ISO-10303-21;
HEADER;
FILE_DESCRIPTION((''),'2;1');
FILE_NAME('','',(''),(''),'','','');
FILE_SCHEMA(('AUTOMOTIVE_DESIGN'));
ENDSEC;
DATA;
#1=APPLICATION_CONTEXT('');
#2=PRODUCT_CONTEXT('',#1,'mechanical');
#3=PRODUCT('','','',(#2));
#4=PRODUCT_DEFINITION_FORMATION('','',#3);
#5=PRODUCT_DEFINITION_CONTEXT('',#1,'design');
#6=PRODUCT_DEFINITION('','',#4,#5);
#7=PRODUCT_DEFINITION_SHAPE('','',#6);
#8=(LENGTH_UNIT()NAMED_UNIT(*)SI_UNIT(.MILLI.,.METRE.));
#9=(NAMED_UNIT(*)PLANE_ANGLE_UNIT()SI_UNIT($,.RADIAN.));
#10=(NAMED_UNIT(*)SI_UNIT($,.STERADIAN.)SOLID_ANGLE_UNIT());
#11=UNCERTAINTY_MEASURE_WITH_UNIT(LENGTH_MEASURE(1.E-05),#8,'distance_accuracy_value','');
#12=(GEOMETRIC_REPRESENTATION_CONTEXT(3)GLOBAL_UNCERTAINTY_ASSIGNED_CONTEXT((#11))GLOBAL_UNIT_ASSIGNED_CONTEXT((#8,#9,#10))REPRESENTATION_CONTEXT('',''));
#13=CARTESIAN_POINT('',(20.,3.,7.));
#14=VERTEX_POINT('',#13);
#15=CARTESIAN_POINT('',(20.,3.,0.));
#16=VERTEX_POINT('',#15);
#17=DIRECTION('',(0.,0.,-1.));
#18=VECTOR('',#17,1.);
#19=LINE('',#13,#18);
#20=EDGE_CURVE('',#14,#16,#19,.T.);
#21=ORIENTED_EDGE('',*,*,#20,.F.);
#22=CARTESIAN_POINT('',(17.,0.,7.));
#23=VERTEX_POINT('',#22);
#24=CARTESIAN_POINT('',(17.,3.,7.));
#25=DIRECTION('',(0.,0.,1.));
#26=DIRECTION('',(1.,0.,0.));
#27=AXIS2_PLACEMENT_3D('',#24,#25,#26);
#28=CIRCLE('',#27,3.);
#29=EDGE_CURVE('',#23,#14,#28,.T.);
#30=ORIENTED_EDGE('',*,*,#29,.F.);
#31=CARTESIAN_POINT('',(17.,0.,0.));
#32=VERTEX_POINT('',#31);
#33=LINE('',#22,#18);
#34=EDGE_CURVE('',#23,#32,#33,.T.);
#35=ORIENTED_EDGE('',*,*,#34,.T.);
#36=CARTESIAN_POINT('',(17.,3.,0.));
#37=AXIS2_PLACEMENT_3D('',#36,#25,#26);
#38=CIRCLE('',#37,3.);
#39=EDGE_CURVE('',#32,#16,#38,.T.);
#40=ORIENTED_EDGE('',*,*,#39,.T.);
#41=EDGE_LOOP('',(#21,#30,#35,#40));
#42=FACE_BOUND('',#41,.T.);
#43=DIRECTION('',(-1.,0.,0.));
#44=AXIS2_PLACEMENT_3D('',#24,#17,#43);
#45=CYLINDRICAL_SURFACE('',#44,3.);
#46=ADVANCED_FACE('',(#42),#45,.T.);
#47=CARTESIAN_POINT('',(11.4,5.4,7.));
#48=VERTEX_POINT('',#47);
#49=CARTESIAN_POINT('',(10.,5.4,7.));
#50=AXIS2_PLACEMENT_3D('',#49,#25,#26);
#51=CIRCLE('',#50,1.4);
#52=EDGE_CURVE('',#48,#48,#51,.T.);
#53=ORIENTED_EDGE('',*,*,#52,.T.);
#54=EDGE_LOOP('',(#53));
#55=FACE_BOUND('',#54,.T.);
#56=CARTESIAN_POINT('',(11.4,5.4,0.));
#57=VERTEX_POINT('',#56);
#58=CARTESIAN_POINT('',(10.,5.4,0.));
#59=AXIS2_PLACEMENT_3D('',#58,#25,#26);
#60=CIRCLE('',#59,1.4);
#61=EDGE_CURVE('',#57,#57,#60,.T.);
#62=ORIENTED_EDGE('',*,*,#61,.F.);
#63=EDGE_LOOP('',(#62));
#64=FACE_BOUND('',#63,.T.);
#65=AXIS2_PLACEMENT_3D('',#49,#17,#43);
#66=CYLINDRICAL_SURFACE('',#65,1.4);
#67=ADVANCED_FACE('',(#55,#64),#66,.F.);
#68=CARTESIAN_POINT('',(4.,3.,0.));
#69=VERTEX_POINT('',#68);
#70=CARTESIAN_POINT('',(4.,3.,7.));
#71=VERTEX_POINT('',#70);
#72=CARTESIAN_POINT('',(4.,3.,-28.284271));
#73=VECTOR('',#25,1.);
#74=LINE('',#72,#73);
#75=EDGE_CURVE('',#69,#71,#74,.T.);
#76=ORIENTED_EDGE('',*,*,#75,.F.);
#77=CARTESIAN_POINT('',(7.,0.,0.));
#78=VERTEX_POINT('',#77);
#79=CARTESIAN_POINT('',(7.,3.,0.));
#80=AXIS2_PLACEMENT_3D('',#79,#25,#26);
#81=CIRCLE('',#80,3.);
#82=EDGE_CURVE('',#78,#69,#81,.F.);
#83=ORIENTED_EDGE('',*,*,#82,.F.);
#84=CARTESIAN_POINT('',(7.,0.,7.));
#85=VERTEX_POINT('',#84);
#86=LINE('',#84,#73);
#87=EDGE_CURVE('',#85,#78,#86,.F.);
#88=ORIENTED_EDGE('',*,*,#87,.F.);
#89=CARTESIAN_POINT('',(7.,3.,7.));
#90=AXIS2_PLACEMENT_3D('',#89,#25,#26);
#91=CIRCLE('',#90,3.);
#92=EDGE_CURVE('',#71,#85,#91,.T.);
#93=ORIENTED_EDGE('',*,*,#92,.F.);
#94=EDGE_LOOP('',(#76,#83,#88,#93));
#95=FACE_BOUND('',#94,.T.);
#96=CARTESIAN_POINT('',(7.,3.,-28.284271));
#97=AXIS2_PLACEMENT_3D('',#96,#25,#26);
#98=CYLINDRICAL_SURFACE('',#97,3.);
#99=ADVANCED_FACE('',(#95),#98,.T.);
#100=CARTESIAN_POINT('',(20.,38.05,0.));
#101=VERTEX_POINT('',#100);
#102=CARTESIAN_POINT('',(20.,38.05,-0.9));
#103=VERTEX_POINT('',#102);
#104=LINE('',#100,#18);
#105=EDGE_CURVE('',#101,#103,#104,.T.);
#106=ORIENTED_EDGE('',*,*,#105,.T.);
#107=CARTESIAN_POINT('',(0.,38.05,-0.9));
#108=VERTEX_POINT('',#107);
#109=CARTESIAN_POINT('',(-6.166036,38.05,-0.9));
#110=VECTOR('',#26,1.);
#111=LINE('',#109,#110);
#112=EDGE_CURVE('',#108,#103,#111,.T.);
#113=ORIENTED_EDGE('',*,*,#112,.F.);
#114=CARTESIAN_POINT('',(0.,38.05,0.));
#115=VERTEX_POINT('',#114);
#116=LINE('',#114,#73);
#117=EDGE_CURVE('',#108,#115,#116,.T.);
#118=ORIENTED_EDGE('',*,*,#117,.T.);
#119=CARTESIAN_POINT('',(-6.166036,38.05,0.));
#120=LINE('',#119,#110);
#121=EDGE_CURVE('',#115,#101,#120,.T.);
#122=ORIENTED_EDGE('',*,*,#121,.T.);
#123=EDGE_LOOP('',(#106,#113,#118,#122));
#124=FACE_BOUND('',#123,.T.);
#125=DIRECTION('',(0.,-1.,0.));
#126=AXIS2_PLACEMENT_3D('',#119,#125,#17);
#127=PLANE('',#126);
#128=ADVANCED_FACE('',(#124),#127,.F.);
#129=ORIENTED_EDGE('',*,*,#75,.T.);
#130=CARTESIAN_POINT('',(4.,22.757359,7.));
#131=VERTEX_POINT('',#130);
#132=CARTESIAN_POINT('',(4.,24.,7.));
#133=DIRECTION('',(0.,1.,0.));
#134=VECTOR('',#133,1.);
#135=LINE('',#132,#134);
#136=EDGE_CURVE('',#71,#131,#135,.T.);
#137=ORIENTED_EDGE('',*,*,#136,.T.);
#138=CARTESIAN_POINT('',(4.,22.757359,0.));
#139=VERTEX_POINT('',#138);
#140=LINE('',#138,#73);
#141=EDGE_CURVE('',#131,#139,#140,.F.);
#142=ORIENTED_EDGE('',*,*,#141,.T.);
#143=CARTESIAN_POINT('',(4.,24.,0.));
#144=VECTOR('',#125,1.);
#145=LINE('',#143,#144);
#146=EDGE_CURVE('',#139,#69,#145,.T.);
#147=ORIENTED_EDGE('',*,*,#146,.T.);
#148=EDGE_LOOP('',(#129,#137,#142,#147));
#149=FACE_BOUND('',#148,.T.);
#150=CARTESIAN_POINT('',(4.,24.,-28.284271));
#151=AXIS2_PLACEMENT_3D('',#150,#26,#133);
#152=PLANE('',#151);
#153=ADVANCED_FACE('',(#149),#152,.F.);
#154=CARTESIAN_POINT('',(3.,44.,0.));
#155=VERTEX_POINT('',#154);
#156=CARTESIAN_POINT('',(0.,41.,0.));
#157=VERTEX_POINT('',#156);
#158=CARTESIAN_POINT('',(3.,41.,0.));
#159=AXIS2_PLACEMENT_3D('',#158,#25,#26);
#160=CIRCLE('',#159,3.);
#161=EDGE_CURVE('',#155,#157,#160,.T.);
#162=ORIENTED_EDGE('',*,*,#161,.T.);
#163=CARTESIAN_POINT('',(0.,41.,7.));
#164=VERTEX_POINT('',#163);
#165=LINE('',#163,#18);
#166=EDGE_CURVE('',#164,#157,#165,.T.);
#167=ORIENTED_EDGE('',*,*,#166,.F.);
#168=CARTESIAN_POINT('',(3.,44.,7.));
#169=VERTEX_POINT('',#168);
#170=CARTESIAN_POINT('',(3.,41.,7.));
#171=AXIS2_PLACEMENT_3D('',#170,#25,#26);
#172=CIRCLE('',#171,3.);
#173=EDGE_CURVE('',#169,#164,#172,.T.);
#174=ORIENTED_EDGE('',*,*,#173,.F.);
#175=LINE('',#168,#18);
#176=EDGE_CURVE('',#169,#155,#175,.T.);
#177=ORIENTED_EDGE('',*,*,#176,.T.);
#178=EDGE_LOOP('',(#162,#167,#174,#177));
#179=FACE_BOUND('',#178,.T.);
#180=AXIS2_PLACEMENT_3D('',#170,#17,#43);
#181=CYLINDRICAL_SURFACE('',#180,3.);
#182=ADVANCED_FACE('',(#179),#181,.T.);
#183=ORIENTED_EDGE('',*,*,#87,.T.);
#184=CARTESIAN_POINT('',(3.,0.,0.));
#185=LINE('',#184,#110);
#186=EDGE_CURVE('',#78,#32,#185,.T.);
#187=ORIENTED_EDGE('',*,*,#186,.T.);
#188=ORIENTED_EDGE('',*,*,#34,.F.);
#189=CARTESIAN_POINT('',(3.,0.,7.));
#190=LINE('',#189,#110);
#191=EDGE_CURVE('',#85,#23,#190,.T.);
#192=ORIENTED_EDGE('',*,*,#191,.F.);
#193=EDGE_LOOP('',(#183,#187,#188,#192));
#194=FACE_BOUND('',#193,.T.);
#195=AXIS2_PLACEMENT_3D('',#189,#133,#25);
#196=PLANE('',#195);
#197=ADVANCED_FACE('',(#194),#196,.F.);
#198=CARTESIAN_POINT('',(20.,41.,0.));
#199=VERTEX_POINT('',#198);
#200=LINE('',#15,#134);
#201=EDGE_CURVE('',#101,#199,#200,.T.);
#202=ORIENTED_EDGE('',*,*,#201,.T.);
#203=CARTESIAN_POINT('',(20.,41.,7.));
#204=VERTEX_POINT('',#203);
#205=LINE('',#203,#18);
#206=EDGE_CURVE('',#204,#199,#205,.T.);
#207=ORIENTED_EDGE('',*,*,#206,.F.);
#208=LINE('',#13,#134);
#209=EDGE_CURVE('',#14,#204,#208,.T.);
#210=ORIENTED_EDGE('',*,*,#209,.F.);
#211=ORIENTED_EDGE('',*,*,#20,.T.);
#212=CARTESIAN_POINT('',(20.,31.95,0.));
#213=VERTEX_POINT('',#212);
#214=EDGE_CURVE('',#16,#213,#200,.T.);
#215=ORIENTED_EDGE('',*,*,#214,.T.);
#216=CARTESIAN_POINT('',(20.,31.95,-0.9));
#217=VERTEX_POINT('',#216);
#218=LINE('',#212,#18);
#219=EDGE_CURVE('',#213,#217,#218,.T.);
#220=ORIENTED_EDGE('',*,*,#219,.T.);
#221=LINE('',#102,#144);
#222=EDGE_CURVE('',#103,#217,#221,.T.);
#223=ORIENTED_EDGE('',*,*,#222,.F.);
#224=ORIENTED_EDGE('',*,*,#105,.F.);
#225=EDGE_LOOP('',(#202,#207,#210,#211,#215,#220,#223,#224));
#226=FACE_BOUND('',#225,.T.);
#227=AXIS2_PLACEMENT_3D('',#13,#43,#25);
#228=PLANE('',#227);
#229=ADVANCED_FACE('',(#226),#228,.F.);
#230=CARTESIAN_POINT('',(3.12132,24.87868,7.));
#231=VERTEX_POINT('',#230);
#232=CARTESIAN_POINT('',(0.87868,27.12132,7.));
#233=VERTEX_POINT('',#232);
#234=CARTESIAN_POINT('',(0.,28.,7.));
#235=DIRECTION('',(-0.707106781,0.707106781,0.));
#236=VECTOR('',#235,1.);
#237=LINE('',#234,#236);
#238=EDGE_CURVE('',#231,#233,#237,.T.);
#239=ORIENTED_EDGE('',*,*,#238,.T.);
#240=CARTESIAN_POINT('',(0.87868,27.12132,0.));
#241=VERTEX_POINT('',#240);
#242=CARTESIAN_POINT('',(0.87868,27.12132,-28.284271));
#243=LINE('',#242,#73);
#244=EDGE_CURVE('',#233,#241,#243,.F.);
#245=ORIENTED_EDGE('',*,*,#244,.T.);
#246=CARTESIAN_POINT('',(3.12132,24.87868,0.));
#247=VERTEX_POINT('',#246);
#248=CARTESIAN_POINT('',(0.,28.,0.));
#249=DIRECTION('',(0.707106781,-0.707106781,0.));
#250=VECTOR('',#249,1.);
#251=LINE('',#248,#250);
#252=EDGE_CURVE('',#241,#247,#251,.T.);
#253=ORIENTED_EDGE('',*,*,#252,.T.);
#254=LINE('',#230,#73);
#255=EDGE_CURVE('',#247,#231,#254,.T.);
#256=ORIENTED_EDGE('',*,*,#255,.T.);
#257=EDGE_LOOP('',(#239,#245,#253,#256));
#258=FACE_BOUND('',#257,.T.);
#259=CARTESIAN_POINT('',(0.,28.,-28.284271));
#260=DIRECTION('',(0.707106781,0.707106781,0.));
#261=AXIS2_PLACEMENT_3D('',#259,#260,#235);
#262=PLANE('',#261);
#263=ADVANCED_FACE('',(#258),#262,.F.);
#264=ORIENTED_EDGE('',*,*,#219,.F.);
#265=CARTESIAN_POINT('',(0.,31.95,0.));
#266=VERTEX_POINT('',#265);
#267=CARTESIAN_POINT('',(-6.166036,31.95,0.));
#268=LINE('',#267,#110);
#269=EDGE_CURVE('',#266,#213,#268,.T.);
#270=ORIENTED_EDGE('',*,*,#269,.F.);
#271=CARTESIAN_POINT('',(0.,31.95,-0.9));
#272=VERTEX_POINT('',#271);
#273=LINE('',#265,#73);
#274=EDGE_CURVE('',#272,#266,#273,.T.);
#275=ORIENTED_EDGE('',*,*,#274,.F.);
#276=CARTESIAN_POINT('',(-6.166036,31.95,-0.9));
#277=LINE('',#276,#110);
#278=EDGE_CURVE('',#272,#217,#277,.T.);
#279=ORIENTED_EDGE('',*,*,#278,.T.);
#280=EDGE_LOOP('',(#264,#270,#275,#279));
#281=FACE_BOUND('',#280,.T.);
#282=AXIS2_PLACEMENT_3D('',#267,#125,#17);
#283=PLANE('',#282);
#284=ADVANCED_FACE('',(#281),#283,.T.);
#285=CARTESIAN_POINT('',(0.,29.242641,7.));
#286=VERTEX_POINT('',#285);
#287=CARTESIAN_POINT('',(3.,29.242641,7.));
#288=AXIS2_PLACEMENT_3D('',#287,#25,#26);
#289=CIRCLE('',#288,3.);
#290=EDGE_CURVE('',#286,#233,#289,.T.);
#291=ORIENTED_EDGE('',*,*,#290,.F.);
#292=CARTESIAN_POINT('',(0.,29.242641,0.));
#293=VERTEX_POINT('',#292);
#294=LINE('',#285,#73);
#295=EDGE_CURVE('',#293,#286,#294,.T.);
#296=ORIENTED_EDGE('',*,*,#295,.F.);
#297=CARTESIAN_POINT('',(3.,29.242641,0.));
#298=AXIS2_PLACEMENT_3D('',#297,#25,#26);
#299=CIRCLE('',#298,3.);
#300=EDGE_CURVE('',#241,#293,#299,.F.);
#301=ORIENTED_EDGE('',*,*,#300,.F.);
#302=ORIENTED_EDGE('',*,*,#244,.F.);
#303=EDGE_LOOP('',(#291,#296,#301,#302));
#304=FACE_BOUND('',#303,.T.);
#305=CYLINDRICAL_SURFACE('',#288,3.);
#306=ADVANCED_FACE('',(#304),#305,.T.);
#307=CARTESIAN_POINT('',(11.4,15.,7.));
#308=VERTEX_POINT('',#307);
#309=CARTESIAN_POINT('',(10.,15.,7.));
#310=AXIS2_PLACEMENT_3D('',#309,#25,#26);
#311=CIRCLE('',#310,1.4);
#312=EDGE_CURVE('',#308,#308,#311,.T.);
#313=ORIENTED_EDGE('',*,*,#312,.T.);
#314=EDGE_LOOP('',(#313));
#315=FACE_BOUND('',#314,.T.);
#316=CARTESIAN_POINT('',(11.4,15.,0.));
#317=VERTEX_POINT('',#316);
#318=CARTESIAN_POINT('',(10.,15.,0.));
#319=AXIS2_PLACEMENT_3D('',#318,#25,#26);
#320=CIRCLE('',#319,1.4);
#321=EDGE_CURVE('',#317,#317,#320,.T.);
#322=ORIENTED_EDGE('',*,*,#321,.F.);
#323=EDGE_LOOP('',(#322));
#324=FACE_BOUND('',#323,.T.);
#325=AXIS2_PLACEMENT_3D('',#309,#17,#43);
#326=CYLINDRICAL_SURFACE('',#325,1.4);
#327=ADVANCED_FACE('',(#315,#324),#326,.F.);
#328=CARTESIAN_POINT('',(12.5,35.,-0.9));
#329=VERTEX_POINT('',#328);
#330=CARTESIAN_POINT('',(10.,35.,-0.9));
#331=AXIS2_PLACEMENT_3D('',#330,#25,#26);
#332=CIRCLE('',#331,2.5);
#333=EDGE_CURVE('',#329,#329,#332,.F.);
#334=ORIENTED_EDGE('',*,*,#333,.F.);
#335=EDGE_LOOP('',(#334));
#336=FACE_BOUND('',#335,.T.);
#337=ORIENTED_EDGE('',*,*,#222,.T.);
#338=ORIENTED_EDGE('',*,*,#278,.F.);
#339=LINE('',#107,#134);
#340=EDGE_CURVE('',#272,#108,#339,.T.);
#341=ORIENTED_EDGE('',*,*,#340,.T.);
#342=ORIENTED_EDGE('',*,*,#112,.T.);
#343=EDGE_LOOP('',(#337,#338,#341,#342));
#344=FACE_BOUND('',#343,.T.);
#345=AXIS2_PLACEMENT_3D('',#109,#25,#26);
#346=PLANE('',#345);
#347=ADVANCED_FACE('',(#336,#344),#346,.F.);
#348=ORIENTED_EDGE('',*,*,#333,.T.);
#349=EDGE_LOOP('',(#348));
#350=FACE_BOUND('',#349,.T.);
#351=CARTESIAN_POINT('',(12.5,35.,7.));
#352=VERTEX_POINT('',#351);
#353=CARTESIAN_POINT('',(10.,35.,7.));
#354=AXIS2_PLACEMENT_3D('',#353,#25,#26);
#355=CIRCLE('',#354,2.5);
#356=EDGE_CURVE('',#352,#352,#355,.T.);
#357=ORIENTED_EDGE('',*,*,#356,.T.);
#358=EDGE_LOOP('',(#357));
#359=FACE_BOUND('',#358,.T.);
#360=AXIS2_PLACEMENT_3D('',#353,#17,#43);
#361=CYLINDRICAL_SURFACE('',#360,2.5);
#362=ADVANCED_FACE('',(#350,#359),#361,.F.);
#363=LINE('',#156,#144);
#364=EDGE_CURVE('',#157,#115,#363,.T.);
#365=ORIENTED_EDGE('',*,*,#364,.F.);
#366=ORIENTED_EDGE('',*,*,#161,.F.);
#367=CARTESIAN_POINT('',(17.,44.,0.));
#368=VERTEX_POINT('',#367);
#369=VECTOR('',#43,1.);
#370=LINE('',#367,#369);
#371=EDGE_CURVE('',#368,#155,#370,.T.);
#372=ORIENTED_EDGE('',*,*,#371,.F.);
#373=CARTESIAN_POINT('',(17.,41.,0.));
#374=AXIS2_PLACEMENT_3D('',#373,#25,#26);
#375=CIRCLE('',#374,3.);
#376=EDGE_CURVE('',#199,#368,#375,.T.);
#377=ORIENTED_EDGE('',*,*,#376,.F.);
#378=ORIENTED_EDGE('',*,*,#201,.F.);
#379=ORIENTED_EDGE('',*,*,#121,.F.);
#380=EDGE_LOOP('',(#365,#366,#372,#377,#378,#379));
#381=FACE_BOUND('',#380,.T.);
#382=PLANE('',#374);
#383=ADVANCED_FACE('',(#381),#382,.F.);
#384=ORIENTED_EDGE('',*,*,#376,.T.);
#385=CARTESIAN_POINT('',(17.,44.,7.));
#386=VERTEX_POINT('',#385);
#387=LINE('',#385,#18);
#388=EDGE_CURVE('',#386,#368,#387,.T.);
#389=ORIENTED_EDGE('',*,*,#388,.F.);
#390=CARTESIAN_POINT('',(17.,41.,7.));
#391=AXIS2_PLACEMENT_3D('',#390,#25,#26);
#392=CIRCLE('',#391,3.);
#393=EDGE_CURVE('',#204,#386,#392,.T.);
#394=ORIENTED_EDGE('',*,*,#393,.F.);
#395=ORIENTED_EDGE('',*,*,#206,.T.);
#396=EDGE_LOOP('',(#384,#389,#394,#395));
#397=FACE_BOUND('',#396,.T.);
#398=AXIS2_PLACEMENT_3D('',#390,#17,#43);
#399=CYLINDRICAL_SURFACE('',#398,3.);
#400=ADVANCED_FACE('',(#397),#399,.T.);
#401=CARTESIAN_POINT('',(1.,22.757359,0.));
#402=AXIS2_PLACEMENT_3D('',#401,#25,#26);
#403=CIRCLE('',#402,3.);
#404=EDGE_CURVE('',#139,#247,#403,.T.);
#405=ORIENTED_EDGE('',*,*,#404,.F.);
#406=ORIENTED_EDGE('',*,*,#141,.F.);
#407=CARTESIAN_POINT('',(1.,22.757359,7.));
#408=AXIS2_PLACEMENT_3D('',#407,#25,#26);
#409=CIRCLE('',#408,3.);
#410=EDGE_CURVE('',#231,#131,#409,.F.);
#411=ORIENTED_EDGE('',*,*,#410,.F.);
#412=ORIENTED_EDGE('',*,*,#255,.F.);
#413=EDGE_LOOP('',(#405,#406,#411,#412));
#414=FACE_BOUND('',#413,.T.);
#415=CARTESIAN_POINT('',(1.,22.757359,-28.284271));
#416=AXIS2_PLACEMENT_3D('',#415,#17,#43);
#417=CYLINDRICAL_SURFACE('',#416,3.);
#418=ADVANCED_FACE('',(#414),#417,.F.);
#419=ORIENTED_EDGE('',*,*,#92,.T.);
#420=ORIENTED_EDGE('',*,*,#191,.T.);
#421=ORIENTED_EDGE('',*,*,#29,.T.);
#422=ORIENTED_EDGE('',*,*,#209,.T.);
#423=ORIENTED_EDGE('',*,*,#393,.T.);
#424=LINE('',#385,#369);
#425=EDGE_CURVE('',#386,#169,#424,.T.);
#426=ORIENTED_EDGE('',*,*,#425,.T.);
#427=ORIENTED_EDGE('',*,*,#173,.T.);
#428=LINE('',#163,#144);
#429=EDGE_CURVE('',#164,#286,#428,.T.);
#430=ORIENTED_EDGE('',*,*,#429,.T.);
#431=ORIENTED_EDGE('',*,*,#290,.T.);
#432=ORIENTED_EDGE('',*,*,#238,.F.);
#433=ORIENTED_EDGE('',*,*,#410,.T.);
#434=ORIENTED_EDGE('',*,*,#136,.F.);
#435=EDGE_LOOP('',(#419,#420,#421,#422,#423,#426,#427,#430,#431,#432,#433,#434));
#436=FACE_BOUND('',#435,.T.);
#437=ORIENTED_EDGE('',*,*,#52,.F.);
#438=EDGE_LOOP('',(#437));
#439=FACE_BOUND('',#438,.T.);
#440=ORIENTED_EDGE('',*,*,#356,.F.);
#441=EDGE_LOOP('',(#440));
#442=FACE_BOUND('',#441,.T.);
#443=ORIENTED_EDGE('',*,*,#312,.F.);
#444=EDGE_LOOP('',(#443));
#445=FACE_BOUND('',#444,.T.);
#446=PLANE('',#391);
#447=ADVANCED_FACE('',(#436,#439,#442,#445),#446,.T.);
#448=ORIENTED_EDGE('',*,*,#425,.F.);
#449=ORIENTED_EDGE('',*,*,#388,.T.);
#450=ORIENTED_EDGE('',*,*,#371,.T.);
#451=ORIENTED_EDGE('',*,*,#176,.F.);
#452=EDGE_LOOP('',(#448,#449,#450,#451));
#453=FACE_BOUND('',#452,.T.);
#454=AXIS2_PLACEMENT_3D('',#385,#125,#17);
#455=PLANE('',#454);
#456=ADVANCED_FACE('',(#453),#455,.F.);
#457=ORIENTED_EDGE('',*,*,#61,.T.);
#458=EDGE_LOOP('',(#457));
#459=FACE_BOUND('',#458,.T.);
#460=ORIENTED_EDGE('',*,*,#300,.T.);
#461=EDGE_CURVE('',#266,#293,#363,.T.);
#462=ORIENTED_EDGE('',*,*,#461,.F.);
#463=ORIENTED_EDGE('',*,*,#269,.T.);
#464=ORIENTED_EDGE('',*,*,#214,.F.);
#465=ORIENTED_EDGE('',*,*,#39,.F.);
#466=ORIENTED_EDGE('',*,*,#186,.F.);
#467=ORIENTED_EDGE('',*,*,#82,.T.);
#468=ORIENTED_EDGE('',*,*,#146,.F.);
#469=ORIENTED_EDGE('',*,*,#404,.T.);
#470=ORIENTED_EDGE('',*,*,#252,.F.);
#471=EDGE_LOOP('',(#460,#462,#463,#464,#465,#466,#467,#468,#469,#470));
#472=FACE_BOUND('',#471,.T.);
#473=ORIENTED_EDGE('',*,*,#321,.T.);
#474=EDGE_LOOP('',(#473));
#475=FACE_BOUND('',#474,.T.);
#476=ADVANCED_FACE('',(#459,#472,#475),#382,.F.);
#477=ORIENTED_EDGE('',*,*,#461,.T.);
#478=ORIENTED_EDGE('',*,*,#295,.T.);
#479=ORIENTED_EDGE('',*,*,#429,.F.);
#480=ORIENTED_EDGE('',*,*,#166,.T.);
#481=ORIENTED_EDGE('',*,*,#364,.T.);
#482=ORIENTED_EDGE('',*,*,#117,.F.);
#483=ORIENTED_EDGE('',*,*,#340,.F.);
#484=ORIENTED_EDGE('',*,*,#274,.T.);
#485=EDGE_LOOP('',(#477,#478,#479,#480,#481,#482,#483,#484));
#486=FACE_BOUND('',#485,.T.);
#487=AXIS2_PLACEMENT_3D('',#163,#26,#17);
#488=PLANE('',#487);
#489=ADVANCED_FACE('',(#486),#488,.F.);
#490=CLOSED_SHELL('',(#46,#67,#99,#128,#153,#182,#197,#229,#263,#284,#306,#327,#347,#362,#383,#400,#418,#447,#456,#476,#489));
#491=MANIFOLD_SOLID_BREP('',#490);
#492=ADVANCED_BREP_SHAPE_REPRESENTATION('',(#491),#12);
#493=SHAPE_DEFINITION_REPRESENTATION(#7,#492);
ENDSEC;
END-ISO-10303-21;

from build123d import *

# Parameters (mm, degrees)
SKETCH1_R           = 2.5
SKETCH1_R_2         = 1.4
BOSS_EXTRUDE1_DEPTH = 7
SKETCH2_W           = 0.9
SKETCH2_H           = 6.1
BOSS_EXTRUDE2_DEPTH = 20
CUT_EXTRUDE1_REACH  = 50.836
SKETCH3_R           = 2.5
CUT_EXTRUDE2_START  = -7
CUT_EXTRUDE2_DEPTH  = 7
FILLET1_R           = 3


with BuildPart() as part:
    # Sketch1 → Boss-Extrude1 (new body)
    with BuildSketch(Plane.XY):
        with BuildLine():
            Line((3, 0), (17, 0))
            ThreePointArc((17, 0), (19.121320344, 0.878679656), (20, 3))
            Line((20, 3), (20, 41))
            ThreePointArc((20, 41), (19.121320344, 43.121320344), (17, 44))
            Line((17, 44), (3, 44))
            ThreePointArc((3, 44), (0.878679656, 43.121320344), (0, 41))
            Line((0, 41), (0, 3))
            ThreePointArc((0, 3), (0.878679656, 0.878679656), (3, 0))
        make_face()
        with Locations((10, 35)):
            Circle(SKETCH1_R, mode=Mode.SUBTRACT)
        with Locations((10, 5.4)):
            Circle(SKETCH1_R_2, mode=Mode.SUBTRACT)
        with Locations((10, 15)):
            Circle(SKETCH1_R_2, mode=Mode.SUBTRACT)
    extrude(amount=BOSS_EXTRUDE1_DEPTH)

    # Sketch2 → Boss-Extrude2 (add)
    with BuildSketch(Plane(origin=(20, 0, 0), x_dir=(0, 0, -1), z_dir=(1, 0, 0))):
        with Locations((0.45, 35)):
            Rectangle(SKETCH2_W, SKETCH2_H)
    extrude(amount=-BOSS_EXTRUDE2_DEPTH)

    # Sketch3 → Cut-Extrude1 (cut, up to next)
    with BuildSketch(Plane.XY, mode=Mode.PRIVATE) as cut_extrude1_sk1:
        with Locations((10, 35)):
            Circle(SKETCH3_R)
    cut_extrude1_tool1 = extrude(cut_extrude1_sk1.sketch, amount=-CUT_EXTRUDE1_REACH, mode=Mode.PRIVATE) & part.part
    add(cut_extrude1_tool1.solids().sort_by_distance((10, 35, 0))[0], mode=Mode.SUBTRACT)

    # Sketch4 → Cut-Extrude2 (cut)
    with BuildSketch(Plane.XY.offset(7).offset(CUT_EXTRUDE2_START)):
        with BuildLine():
            Line((0, 28), (4, 24))
            Line((4, 24), (4, 0))
            Line((4, 0), (3, 0))
            ThreePointArc((3, 0), (0.878679656, 0.878679656), (0, 3))
            Line((0, 3), (0, 28))
        make_face()
    extrude(amount=CUT_EXTRUDE2_DEPTH, mode=Mode.SUBTRACT)

    # Fillet1
    fillet1_edges = [part.edges().sort_by_distance(p)[0] for p in [
        (0, 28, 3.5),
        (4, 24, 3.5),
        (4, 0, 3.5),
    ]]
    fillet(fillet1_edges, radius=FILLET1_R)


solid = part.part
